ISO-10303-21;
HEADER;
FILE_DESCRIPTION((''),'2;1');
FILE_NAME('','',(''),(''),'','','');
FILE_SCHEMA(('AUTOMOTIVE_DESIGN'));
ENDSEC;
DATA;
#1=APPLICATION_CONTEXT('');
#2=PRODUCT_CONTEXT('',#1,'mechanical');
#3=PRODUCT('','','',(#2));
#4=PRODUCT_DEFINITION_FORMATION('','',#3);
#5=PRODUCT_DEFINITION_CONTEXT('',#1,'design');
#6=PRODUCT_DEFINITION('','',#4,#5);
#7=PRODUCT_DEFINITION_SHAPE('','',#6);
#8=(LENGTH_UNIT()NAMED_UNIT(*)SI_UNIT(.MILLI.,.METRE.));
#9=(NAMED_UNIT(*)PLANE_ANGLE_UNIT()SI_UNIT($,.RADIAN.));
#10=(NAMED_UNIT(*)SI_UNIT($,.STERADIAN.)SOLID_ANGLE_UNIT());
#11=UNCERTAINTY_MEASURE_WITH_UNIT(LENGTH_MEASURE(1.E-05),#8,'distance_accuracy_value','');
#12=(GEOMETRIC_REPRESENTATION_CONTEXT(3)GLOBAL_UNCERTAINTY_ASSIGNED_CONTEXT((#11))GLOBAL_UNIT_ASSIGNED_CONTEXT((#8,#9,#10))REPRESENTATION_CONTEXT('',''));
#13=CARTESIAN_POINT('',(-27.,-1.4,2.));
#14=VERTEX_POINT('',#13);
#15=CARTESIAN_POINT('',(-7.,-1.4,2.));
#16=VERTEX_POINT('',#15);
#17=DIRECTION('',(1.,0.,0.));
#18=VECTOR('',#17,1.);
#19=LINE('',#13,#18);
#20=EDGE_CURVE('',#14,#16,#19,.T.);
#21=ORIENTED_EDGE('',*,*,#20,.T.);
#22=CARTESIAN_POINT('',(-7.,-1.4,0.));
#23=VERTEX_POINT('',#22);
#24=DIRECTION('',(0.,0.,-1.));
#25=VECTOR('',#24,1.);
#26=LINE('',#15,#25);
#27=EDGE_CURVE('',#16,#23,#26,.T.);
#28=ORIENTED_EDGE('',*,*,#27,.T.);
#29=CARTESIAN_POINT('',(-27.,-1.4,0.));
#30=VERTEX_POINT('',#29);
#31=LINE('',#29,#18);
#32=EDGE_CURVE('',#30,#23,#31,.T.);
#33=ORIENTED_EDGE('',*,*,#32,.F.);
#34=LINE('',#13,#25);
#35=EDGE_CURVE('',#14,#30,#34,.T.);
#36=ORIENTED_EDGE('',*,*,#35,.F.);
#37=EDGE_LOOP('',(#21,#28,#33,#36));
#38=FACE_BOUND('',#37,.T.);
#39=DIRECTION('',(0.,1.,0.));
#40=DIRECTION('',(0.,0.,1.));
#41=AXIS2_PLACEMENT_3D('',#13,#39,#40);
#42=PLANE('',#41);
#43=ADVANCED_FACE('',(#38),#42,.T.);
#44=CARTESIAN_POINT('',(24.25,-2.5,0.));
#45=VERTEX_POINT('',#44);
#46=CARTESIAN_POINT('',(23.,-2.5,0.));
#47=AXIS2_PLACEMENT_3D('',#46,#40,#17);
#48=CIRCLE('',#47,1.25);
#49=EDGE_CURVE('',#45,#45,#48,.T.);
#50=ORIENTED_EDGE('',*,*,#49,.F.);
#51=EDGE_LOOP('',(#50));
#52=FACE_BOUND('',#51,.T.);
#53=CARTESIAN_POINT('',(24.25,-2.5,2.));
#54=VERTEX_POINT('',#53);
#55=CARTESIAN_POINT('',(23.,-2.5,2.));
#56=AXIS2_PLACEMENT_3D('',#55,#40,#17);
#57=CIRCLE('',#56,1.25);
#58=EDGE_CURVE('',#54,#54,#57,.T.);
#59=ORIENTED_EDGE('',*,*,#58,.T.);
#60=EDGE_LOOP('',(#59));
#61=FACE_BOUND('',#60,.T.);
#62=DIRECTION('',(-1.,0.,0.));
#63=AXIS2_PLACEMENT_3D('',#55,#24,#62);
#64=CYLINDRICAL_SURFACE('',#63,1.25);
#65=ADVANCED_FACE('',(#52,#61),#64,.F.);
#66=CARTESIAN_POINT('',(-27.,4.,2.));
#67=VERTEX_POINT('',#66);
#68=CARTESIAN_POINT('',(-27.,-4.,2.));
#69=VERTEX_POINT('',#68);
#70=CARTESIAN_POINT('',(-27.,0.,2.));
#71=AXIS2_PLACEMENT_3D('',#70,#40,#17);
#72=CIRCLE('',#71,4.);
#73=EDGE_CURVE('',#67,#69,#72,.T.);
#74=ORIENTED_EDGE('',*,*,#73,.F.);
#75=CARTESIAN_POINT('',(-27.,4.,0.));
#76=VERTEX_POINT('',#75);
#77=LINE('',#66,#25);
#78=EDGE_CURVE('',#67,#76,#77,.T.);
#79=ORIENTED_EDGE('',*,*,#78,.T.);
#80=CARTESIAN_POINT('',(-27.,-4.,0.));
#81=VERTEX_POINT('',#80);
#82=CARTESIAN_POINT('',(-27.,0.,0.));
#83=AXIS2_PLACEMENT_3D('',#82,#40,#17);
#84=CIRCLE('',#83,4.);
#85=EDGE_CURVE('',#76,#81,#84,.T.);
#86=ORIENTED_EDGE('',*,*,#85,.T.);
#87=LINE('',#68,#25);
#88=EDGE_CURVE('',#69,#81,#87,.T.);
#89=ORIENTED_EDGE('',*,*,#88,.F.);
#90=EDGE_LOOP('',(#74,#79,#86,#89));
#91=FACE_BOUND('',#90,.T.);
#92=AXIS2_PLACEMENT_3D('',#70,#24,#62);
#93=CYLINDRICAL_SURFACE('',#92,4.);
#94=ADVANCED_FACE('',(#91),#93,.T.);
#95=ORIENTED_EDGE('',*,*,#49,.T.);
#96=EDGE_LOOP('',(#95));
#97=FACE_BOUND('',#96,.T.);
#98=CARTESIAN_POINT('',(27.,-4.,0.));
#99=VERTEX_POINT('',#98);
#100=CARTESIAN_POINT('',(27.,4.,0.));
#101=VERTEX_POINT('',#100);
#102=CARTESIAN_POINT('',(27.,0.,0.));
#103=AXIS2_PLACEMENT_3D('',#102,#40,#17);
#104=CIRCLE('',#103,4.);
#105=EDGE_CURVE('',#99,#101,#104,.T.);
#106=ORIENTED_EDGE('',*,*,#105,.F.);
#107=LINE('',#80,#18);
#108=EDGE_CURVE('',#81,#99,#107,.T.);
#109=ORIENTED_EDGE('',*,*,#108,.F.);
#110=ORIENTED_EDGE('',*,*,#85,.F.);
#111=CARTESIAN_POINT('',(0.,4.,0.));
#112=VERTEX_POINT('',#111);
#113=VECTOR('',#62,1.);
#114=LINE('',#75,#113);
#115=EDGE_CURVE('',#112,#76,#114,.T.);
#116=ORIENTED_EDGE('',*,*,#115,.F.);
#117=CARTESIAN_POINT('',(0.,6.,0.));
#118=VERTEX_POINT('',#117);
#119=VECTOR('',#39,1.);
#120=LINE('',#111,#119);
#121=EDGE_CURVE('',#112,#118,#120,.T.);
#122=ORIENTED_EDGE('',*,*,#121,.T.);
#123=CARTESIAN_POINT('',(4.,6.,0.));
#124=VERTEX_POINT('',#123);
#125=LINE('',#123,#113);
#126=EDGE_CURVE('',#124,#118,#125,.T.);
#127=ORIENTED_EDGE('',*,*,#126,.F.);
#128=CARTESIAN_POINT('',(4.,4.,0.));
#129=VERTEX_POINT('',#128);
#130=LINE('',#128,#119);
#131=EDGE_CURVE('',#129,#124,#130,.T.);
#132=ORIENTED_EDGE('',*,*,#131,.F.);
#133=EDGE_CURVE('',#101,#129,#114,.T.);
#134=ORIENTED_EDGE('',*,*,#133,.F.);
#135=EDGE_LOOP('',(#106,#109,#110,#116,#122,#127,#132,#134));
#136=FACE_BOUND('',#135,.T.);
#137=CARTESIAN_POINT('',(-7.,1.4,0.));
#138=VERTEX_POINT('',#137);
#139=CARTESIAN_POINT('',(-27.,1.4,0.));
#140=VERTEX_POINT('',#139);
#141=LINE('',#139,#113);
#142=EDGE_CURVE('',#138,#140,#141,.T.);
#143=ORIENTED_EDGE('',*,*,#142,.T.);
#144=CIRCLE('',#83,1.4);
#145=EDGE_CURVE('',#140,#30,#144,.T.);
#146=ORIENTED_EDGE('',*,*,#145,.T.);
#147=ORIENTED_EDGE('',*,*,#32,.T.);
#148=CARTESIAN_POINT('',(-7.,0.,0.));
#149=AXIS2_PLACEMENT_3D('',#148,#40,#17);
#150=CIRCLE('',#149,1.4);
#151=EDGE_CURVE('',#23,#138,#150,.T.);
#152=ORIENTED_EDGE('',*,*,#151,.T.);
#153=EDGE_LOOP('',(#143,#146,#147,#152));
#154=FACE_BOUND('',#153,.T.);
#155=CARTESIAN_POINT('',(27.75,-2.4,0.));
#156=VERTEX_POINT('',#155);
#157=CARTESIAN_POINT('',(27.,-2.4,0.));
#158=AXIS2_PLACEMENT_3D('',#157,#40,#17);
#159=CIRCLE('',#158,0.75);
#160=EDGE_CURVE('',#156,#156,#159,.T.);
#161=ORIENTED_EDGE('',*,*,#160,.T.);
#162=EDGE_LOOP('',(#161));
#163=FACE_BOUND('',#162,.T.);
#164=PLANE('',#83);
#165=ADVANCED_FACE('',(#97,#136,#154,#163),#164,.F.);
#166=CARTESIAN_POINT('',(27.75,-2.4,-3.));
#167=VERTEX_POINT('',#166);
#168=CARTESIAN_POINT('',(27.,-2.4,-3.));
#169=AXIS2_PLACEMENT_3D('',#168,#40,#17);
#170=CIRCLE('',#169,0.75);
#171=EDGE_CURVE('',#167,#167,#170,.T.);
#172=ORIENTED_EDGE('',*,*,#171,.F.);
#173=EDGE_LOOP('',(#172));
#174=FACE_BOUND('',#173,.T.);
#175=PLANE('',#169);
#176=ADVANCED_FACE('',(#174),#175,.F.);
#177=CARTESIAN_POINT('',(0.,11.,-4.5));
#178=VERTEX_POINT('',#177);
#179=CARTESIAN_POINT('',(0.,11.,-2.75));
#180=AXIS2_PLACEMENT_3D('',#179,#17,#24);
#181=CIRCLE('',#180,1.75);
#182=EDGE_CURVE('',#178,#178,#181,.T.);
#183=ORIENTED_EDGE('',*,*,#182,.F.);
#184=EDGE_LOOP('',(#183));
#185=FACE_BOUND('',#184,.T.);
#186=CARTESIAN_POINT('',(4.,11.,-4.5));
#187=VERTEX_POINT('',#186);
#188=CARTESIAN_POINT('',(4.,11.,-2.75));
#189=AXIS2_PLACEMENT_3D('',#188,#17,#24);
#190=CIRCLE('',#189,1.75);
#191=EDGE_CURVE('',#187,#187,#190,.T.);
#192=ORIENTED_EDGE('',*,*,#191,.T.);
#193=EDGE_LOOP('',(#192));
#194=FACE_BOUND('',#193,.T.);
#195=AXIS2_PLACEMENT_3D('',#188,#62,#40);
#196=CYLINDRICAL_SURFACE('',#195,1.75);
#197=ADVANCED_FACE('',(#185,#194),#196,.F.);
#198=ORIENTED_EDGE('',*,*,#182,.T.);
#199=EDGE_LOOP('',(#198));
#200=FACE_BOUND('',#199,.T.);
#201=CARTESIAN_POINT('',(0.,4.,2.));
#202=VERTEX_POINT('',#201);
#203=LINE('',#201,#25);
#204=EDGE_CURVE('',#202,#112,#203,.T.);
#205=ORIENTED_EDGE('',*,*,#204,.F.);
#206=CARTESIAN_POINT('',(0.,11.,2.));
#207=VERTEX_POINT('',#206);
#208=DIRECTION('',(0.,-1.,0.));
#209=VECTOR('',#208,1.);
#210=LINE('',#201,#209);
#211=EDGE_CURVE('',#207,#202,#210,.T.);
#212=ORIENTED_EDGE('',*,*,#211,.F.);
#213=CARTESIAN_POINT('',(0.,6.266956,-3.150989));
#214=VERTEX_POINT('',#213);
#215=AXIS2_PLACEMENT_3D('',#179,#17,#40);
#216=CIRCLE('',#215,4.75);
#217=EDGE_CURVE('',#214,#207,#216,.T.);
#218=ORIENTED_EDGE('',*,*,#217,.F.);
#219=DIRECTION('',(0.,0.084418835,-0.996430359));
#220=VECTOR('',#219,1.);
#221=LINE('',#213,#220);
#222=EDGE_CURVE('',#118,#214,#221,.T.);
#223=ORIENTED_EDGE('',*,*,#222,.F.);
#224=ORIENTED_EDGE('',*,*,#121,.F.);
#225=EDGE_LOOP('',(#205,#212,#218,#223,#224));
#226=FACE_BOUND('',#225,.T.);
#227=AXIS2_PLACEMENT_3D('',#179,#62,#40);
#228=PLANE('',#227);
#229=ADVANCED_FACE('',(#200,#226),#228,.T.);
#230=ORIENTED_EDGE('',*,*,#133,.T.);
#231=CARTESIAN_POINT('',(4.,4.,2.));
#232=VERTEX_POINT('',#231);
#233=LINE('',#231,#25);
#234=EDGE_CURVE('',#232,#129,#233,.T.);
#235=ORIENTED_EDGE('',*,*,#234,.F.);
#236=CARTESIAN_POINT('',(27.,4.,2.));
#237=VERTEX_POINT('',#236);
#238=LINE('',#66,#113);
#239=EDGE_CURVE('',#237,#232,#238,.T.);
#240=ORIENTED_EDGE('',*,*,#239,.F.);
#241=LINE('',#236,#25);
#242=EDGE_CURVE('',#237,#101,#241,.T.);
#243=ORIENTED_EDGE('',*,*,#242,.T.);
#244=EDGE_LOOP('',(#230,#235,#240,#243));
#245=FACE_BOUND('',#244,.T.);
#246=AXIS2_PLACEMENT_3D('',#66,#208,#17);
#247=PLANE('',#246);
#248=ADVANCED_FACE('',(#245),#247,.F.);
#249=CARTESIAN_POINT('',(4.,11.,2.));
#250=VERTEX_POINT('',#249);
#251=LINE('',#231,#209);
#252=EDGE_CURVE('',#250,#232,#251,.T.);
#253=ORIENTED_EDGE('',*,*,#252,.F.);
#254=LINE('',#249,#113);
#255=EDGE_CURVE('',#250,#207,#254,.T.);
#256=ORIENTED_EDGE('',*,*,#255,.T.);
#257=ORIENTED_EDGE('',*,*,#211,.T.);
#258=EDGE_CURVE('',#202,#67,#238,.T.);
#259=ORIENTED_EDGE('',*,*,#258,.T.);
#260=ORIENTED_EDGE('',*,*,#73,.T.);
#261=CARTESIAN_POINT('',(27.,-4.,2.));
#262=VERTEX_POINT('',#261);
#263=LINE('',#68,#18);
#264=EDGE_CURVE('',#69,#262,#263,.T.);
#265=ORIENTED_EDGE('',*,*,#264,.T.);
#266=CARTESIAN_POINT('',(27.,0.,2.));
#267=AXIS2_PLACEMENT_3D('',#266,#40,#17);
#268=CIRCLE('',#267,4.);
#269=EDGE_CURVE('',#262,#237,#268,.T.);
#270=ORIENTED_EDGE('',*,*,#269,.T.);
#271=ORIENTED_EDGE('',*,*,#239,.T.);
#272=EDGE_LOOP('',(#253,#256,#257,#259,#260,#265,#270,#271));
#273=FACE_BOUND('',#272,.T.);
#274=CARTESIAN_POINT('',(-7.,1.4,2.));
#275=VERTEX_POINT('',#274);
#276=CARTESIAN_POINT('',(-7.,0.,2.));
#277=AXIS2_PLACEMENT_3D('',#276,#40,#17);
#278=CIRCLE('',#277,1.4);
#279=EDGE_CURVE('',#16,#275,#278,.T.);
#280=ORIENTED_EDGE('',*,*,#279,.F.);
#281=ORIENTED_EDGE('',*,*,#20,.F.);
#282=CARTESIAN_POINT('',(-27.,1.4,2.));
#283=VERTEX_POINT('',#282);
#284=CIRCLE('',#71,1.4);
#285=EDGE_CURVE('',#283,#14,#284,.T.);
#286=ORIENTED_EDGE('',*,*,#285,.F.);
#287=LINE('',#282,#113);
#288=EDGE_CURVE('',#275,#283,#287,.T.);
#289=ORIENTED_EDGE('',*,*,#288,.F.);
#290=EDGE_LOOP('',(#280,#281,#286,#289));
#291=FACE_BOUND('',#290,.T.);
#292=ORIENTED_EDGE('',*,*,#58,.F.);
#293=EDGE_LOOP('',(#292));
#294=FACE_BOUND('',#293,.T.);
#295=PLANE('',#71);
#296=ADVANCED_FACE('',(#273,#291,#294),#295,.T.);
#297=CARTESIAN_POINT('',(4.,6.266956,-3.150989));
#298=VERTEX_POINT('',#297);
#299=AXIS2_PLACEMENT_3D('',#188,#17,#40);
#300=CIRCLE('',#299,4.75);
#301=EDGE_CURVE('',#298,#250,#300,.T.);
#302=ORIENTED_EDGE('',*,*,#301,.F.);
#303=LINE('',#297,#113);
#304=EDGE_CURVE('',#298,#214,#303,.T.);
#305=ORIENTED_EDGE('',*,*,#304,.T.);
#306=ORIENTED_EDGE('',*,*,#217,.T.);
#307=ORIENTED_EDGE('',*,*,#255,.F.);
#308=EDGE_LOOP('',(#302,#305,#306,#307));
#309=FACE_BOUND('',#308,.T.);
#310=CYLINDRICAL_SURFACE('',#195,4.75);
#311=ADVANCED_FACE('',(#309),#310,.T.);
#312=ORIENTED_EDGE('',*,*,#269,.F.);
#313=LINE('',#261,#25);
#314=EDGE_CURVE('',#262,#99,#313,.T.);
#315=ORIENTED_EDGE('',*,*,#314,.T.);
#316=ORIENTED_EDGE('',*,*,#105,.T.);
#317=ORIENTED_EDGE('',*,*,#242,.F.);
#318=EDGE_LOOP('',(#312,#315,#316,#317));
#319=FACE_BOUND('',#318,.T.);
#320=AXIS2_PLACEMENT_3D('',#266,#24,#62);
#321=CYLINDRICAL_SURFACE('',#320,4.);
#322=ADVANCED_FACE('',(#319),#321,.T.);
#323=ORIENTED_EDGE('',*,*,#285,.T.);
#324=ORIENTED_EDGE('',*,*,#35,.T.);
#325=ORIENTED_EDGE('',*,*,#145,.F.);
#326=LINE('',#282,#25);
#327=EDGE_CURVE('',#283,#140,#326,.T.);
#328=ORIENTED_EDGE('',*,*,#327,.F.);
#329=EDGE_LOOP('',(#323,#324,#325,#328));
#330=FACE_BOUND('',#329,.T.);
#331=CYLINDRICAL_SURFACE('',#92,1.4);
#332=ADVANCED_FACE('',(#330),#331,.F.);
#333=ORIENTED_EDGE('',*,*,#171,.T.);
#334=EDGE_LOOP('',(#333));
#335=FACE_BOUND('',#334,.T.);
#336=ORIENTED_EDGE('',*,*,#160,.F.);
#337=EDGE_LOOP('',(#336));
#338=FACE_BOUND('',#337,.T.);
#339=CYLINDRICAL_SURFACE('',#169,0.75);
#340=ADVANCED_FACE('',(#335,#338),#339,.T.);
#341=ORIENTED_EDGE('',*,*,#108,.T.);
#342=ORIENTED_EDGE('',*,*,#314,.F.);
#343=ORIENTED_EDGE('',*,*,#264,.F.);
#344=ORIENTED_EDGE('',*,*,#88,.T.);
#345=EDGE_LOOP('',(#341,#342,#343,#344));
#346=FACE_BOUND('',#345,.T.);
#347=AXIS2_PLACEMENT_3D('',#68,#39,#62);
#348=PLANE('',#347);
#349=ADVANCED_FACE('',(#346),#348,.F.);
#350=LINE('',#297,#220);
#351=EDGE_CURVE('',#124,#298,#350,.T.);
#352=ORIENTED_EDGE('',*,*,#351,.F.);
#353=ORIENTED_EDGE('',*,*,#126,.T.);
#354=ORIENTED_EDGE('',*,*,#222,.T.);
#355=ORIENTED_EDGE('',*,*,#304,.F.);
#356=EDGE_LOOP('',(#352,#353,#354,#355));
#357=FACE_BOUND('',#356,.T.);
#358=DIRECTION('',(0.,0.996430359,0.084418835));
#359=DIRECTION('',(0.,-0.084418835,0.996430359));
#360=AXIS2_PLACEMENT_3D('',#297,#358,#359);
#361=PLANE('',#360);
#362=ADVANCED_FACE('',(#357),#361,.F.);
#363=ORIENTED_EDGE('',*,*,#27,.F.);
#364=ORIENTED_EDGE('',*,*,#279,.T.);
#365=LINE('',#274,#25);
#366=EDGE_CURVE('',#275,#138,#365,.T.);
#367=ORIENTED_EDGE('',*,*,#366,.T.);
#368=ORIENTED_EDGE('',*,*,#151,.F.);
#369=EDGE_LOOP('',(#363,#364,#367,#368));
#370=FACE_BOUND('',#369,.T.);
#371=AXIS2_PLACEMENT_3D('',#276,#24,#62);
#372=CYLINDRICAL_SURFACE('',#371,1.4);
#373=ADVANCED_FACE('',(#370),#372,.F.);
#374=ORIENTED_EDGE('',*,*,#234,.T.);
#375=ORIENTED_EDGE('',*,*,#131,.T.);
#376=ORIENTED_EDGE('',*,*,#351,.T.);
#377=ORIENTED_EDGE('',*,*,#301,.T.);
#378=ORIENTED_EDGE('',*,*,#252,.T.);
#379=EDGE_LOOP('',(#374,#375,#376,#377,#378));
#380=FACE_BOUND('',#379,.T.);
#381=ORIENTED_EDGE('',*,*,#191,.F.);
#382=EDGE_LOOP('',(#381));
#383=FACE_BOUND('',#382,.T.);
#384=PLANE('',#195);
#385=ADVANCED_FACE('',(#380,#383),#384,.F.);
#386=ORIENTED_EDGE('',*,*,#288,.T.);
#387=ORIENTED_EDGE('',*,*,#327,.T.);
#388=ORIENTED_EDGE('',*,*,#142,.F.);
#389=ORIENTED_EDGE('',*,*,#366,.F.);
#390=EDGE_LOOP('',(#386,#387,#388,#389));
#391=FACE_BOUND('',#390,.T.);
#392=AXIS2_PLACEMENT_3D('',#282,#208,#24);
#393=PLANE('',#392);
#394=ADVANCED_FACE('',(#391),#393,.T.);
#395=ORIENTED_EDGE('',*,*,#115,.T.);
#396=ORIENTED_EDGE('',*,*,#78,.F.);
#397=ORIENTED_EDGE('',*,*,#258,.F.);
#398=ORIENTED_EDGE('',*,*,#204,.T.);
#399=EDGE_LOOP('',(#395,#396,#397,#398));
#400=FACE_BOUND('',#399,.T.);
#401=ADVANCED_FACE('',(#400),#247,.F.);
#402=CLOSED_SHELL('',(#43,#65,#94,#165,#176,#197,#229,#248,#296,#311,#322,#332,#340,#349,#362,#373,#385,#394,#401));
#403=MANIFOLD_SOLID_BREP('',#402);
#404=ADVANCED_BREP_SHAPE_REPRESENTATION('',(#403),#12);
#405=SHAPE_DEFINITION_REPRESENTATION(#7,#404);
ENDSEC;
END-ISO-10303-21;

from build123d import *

# Parameters (mm, degrees)
ESBO_O1_R                = 1.25
RESSALTO_EXTRUS_O1_DEPTH = 2
ESBO_O2_R                = 0.75
RESSALTO_EXTRUS_O2_DEPTH = 5
ESBO_O3_R                = 1.75
RESSALTO_EXTRUS_O3_DEPTH = 4


with BuildPart() as part:
    # Esboço1 → Ressalto-extrusão1 (new body)
    with BuildSketch(Plane.XY):
        with BuildLine():
            Line((-27, 4), (27, 4))
            ThreePointArc((27, 4), (31, 0), (27, -4))
            Line((27, -4), (-27, -4))
            ThreePointArc((-27, -4), (-31, 0), (-27, 4))
        make_face()
        with Locations((23, -2.5)):
            Circle(ESBO_O1_R, mode=Mode.SUBTRACT)
        with BuildLine():
            Line((-27, 1.4), (-7, 1.4))
            ThreePointArc((-7, 1.4), (-5.6, 0), (-7, -1.4))
            Line((-7, -1.4), (-27, -1.4))
            ThreePointArc((-27, -1.4), (-28.4, 0), (-27, 1.4))
        make_face(mode=Mode.SUBTRACT)
    extrude(amount=RESSALTO_EXTRUS_O1_DEPTH)

    # Esboço2 → Ressalto-extrusão2 (add)
    with BuildSketch(Plane.XY.offset(2)):
        with Locations((27, -2.4)):
            Circle(ESBO_O2_R)
    extrude(amount=-RESSALTO_EXTRUS_O2_DEPTH)

    # Esboço3 → Ressalto-extrusão3 (add)
    with BuildSketch(Plane(origin=(0, 0, 0), x_dir=(0, 0, -1), z_dir=(1, 0, 0))):
        with BuildLine():
            Line((-2, 4), (-2, 11))
            ThreePointArc((-2, 11), (5.96386061, 14.497656355), (3.150989464, 6.266955795))
            Line((3.150989464, 6.266955795), (0, 6))
            Line((0, 6), (0, 4))
            Line((0, 4), (-2, 4))
        make_face()
        with Locations((2.75, 11)):
            Circle(ESBO_O3_R, mode=Mode.SUBTRACT)
    extrude(amount=RESSALTO_EXTRUS_O3_DEPTH)


solid = part.part
